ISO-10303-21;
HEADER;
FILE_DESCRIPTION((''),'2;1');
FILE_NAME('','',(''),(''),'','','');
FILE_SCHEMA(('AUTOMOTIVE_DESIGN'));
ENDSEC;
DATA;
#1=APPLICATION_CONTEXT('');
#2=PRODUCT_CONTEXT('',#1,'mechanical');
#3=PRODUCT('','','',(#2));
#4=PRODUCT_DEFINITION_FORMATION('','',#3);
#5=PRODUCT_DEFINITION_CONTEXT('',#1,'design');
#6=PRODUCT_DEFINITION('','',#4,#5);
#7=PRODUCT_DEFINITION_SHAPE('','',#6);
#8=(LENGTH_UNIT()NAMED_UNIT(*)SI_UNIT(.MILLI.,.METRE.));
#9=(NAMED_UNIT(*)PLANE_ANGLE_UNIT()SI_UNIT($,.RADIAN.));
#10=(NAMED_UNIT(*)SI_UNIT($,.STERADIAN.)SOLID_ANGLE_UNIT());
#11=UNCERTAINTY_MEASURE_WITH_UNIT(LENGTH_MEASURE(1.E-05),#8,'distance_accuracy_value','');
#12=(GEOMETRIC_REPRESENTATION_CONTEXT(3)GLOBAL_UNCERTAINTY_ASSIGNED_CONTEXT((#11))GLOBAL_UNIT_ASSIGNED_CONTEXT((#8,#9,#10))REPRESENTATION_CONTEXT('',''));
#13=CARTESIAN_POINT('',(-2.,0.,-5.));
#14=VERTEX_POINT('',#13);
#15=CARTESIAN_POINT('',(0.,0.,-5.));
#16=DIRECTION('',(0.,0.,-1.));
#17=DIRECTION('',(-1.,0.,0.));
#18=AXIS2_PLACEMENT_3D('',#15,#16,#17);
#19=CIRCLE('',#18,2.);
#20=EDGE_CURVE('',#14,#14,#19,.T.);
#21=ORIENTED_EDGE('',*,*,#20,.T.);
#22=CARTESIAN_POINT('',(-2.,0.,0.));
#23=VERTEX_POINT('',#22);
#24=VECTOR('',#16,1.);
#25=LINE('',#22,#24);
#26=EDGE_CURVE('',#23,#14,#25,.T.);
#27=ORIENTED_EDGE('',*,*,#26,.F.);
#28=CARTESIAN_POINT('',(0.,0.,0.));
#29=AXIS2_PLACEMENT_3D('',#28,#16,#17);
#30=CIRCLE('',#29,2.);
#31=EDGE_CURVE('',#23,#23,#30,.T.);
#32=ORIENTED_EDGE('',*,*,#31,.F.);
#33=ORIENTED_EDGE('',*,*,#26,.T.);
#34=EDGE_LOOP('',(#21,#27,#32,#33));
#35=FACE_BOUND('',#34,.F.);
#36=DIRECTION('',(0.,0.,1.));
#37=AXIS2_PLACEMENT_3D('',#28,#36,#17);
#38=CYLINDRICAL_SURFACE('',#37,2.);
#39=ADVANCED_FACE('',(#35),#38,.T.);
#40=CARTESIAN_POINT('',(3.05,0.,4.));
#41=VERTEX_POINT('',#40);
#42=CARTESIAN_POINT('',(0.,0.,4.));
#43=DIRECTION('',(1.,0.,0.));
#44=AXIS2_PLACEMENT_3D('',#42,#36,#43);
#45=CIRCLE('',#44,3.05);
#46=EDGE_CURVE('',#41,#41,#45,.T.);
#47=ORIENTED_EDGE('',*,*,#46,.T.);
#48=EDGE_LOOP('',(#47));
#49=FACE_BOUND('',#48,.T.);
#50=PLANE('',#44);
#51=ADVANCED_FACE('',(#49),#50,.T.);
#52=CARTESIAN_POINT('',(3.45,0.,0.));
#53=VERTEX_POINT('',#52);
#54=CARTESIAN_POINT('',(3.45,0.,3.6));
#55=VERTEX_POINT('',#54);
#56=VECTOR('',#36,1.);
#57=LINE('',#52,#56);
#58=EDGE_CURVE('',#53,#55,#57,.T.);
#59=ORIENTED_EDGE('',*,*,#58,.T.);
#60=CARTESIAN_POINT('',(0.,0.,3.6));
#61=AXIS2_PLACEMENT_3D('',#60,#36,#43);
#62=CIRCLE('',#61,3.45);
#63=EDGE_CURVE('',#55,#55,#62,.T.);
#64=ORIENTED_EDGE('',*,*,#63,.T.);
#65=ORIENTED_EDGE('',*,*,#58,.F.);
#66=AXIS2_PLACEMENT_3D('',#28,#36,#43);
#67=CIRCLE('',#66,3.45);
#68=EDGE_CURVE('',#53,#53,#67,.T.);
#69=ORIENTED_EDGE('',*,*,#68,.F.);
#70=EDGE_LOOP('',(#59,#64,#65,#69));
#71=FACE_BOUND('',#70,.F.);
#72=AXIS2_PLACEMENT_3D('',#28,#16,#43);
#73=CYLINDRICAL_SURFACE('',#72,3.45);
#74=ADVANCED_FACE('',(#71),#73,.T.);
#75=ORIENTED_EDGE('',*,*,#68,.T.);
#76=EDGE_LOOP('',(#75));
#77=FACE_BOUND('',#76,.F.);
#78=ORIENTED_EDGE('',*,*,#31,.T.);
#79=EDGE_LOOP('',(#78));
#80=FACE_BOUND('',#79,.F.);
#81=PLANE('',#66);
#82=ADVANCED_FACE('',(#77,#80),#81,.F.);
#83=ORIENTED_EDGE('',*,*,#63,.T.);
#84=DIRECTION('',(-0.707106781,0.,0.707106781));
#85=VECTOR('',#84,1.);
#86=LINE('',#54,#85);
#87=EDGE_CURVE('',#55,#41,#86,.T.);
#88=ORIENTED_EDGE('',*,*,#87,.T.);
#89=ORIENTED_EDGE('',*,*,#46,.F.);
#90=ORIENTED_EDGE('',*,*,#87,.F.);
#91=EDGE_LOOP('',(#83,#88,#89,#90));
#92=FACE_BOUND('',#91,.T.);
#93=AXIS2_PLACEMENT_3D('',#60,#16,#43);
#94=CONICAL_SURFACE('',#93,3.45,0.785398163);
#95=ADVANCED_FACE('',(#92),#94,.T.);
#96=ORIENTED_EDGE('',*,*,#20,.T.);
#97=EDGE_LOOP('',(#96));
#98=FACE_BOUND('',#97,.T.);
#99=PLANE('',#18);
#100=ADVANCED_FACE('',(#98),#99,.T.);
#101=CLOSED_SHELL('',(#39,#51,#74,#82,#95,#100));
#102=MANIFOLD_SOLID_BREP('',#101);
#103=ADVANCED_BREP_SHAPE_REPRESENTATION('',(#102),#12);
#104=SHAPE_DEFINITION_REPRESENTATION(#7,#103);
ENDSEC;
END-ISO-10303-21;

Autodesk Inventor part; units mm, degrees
ref_plane "YZ Plane" through (0, 0, 0) normal (1, 0, 0) x (0, 1, 0)
ref_plane "XZ Plane" through (0, 0, 0) normal (0, 1, 0) x (-1, 0, 0)
ref_plane "XY Plane" through (0, 0, 0) normal (0, 0, 1) x (1, 0, 0)
sketch "スケッチ1" plane through (0, 0, 0) normal (0, 0, 1) x (1, 0, 0)
  circle A0 centre (0, 0) radius 3.45
  dimension "d0" = 6.9
extrude "押し出し1" add sketch "スケッチ1" along normal blind 4
sketch "スケッチ2" plane through (0, 0, 0) normal (0, 0, -1) x (-1, 0, 0)
  circle A0 centre (0, 0) radius 2
  dimension "d3" = 4
extrude "押し出し2" add sketch "スケッチ2" along normal blind 5
thread "ねじ1" size "M4x0.7" class "6g" standard "ANSI Metric M Profile" full length
chamfer "面取り1" distance 0.4 angle 45 1 edges at (-3.45, 0, 4)
properties part number "M4×5" material "ステンレス鋼"
